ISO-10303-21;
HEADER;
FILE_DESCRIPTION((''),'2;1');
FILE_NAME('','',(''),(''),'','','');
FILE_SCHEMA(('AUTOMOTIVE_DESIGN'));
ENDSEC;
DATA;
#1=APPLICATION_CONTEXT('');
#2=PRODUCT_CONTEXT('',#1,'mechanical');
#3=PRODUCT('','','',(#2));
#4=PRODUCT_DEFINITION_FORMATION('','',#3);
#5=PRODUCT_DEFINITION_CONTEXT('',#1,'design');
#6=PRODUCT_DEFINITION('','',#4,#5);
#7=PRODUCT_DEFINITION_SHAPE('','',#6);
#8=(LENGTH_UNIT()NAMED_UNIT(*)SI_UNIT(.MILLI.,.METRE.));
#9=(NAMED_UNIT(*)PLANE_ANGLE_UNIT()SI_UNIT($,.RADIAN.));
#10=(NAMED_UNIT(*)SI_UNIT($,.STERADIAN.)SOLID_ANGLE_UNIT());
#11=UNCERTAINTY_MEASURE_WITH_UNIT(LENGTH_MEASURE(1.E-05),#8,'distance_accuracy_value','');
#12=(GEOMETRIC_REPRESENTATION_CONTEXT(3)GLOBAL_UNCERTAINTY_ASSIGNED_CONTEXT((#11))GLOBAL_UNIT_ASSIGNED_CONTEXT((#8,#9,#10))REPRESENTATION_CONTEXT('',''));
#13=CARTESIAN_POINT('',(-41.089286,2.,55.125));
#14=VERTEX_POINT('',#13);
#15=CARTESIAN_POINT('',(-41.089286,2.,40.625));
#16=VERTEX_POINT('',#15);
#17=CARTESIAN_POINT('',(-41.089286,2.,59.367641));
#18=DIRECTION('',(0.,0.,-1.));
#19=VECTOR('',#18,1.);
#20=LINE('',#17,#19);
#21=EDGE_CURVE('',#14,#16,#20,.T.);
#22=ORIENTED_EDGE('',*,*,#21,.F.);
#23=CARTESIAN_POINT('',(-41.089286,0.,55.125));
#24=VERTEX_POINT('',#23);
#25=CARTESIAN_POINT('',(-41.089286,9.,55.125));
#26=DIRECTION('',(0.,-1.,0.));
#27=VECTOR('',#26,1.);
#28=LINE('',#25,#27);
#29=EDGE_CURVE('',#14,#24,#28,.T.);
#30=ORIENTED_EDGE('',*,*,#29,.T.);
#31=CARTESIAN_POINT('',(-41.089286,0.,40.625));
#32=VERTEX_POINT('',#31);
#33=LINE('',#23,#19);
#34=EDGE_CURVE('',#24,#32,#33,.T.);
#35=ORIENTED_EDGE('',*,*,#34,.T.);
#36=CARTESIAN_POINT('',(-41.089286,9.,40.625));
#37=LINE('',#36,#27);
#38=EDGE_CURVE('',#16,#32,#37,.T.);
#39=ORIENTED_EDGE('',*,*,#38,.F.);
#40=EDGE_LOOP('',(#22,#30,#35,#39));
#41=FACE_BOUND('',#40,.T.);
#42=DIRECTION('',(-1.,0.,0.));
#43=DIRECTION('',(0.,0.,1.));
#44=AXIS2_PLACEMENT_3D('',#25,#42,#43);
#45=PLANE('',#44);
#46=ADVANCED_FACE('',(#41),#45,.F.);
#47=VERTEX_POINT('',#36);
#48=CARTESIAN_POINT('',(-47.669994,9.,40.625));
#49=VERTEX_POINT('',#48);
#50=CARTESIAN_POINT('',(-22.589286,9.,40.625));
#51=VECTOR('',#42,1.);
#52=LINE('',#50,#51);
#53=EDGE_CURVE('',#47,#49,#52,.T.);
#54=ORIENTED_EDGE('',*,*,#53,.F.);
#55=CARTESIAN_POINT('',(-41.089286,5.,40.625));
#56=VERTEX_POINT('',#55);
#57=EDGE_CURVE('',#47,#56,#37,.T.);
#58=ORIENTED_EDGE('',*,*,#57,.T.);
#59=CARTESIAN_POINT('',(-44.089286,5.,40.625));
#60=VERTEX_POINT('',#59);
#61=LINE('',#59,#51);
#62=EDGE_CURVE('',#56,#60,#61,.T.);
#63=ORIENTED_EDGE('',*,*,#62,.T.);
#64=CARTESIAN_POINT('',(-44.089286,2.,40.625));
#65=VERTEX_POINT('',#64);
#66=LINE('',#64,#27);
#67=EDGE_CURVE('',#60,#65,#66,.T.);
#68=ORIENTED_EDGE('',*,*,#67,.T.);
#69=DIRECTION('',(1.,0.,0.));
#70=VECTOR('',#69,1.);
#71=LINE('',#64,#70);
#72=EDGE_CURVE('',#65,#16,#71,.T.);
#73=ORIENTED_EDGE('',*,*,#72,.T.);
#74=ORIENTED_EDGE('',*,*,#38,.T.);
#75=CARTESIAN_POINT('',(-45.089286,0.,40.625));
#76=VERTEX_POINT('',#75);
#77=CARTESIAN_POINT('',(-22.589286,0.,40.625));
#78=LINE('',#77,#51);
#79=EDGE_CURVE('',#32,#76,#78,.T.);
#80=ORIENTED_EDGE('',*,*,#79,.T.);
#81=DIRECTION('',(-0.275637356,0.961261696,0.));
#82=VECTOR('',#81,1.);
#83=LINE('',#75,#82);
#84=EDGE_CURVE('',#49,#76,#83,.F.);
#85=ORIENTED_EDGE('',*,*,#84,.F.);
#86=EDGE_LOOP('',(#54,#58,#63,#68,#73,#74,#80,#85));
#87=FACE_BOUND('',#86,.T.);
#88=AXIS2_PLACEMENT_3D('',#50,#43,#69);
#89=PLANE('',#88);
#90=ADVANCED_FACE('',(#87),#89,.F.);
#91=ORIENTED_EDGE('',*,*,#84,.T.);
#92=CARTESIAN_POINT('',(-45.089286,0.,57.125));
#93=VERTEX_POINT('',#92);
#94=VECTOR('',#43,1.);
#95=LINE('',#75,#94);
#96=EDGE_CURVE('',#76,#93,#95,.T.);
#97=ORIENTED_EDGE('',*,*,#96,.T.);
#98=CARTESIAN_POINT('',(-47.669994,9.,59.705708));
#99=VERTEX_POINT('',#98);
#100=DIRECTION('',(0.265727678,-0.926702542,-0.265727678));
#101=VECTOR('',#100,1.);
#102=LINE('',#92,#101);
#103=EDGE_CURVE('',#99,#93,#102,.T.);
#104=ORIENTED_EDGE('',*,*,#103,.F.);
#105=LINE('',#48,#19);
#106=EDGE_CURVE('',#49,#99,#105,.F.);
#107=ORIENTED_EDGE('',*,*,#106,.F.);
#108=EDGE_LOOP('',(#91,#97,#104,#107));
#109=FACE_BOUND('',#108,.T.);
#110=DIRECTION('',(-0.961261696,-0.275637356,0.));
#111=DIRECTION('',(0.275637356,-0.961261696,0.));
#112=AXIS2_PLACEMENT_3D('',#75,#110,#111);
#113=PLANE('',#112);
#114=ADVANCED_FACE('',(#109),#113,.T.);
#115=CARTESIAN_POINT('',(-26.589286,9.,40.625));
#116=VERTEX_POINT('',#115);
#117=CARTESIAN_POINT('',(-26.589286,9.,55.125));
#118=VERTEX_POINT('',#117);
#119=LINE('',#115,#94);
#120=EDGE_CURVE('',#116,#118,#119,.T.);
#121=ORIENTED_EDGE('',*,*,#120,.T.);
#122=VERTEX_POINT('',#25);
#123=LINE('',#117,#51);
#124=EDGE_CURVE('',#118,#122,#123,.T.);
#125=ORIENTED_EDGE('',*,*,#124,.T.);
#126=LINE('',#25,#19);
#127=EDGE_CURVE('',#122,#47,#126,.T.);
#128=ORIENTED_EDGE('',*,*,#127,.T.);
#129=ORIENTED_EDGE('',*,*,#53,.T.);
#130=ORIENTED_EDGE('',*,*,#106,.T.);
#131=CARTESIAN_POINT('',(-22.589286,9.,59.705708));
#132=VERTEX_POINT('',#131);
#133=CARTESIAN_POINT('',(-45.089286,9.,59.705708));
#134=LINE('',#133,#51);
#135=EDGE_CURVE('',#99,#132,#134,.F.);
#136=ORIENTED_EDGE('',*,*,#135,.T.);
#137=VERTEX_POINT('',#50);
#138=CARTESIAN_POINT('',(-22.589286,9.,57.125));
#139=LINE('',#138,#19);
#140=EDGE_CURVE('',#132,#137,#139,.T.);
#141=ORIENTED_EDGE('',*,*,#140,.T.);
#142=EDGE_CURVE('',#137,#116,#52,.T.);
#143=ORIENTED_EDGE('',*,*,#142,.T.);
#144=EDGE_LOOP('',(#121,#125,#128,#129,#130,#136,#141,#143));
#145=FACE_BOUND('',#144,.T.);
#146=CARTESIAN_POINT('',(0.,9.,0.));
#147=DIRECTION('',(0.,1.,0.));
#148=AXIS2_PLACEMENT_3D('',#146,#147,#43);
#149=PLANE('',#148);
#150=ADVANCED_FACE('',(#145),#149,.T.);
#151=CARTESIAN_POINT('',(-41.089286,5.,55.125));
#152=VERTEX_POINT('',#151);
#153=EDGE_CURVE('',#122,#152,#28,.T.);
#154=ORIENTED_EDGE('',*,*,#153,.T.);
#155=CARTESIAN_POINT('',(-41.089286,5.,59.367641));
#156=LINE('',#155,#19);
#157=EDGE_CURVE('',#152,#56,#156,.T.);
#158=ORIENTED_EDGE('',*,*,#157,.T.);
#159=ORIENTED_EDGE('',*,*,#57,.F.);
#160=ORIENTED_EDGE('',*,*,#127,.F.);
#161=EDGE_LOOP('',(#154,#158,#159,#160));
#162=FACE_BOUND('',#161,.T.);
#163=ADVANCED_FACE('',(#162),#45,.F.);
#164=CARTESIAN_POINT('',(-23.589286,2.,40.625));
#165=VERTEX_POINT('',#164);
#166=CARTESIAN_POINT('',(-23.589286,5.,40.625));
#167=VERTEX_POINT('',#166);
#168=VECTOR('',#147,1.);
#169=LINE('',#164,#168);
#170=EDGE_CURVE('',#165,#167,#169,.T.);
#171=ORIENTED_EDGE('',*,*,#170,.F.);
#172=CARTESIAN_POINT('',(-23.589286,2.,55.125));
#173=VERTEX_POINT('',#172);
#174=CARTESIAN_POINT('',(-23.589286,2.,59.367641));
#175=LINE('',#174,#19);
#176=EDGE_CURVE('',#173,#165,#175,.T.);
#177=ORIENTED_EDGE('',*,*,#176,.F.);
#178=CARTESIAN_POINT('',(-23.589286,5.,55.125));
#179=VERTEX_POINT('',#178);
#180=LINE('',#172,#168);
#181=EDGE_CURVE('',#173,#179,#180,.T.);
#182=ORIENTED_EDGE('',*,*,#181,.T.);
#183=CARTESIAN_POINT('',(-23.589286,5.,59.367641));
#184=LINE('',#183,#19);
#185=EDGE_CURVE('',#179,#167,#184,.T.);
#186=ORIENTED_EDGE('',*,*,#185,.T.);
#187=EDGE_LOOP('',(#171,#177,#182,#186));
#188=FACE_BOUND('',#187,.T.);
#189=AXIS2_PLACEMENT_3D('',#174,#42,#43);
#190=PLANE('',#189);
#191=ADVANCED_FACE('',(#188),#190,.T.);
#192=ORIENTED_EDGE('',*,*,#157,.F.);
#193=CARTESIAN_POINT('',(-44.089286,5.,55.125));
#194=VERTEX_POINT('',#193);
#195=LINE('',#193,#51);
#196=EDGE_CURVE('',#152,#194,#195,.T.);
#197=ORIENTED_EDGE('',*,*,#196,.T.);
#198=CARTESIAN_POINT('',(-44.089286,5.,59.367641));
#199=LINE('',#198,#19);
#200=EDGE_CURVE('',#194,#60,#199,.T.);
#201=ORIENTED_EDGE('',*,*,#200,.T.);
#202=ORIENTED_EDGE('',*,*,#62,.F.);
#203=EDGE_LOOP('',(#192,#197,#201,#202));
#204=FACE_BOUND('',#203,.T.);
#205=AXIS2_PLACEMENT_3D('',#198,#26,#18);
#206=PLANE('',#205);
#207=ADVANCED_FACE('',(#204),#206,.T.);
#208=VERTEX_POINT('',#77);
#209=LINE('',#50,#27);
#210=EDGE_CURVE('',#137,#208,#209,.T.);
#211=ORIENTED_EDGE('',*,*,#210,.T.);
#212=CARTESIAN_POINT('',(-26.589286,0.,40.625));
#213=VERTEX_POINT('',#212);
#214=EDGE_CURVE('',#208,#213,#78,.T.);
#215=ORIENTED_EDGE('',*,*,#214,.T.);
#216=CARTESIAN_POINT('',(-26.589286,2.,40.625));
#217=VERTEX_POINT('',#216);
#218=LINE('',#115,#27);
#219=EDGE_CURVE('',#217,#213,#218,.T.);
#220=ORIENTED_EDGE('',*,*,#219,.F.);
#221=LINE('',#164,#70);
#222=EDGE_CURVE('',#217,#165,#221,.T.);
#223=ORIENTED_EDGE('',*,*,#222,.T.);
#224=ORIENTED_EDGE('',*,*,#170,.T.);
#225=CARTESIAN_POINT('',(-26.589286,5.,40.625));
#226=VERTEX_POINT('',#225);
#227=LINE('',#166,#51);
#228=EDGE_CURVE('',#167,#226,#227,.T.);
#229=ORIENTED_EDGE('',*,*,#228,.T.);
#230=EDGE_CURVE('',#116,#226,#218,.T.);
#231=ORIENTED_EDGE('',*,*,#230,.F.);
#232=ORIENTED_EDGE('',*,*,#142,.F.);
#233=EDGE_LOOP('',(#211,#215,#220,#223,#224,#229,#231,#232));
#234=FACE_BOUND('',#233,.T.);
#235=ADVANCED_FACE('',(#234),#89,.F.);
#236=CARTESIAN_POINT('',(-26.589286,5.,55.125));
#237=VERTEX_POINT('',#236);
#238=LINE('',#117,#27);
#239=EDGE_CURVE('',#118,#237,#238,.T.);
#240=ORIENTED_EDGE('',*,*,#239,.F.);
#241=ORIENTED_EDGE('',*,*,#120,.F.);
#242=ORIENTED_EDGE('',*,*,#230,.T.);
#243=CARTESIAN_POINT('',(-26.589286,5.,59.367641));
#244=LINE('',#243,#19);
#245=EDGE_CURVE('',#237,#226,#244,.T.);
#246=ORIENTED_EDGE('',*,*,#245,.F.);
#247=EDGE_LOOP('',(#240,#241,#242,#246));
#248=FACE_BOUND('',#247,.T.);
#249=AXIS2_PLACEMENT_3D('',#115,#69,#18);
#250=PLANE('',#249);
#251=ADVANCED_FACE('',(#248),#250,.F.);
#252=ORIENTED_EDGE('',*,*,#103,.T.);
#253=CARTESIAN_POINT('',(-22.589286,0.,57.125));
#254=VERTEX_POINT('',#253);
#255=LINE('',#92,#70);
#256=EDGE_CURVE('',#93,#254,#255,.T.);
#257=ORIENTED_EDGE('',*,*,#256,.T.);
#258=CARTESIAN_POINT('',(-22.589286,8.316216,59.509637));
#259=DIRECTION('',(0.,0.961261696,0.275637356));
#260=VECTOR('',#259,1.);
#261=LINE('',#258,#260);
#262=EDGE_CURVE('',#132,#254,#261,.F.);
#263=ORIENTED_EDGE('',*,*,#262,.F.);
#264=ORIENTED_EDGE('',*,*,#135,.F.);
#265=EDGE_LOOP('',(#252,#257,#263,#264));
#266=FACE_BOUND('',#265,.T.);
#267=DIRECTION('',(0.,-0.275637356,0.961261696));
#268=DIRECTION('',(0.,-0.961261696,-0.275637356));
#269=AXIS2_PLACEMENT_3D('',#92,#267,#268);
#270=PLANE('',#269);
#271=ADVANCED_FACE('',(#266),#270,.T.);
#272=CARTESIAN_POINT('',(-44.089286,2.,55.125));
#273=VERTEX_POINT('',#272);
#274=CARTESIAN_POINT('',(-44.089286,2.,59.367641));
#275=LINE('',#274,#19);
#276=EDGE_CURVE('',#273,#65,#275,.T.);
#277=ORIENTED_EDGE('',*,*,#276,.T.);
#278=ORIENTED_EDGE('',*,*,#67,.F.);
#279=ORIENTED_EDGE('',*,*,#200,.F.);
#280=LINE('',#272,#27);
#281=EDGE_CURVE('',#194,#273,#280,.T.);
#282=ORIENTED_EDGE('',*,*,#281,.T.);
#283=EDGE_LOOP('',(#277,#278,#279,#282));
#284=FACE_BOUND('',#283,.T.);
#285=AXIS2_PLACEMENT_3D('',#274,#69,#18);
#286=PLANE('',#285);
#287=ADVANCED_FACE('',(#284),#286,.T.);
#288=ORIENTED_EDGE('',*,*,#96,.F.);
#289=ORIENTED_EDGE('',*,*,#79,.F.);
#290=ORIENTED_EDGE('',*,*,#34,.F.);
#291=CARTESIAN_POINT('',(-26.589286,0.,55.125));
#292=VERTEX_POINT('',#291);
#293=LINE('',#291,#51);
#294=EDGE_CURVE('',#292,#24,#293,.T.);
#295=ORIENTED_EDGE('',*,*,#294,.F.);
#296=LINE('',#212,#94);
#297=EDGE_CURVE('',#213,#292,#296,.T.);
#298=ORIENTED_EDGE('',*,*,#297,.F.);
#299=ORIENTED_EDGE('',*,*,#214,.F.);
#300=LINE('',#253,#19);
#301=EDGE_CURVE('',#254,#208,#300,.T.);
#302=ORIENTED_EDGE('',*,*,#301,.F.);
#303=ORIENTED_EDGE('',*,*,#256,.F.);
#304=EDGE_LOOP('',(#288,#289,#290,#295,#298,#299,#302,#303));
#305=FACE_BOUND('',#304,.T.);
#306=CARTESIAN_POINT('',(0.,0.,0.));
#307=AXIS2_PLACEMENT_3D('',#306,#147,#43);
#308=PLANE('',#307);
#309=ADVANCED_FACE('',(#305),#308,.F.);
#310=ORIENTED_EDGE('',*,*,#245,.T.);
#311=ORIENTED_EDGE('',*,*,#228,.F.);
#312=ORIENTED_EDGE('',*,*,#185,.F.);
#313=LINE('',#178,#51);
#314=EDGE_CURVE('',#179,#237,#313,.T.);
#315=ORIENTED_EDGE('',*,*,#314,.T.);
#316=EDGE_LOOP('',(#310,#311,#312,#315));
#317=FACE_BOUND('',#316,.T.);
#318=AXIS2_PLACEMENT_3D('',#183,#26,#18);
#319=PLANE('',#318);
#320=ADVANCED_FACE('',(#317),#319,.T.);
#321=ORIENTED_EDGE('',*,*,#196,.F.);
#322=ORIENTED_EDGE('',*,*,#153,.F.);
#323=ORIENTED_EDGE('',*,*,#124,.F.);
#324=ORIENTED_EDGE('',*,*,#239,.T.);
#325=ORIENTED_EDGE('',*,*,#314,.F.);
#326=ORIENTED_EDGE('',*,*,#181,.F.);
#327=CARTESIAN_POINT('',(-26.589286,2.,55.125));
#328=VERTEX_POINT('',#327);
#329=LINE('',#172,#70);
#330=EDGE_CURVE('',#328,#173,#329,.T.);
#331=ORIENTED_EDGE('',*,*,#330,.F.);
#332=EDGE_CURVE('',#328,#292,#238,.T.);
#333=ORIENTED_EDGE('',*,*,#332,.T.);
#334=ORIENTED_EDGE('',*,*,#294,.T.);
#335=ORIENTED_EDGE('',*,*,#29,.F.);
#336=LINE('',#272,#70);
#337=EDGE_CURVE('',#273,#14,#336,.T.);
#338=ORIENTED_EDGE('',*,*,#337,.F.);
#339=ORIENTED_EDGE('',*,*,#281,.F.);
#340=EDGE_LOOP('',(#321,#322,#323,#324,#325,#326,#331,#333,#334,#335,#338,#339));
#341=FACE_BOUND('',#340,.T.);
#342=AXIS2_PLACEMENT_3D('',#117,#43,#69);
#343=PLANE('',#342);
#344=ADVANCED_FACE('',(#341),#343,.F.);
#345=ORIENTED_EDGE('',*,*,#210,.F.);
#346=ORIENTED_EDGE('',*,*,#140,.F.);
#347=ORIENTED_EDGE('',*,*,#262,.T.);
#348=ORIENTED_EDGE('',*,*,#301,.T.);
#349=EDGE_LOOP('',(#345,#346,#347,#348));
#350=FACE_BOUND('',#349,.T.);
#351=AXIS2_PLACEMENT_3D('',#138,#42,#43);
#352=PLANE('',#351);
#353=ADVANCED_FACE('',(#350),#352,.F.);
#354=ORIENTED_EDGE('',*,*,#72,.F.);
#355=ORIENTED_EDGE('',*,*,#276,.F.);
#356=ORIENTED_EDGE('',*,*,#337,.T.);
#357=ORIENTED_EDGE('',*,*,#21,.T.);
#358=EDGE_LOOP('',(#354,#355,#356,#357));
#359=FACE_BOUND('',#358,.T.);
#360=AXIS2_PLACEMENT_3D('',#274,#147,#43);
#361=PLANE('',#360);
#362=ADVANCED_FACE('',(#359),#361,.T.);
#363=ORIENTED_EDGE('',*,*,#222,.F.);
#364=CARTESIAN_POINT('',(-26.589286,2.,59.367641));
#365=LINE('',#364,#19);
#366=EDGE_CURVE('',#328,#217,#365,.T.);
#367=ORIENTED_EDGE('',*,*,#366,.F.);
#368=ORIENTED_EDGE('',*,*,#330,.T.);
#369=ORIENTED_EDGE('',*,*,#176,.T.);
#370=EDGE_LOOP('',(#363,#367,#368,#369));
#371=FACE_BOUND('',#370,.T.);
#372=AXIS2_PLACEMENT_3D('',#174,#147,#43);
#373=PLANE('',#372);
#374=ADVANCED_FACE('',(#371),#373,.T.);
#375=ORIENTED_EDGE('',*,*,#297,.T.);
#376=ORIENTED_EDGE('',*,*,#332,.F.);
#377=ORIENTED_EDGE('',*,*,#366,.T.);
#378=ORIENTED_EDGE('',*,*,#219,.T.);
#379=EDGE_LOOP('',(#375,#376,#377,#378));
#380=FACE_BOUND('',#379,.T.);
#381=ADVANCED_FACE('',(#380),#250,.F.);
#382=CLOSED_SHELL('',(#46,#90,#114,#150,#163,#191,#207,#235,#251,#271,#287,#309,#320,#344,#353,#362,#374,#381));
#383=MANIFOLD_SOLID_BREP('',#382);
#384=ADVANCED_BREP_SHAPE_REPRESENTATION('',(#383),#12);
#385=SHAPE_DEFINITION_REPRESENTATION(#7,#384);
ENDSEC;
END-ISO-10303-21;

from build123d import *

# Parameters (mm, degrees)
SKETCH1_W           = 22.5
SKETCH1_H           = 16.5
BOSS_EXTRUDE1_DEPTH = 9
SKETCH3_W           = 14.5
SKETCH3_H           = 14.5
CUT_EXTRUDE2_DEPTH  = 74.330139174
DRAFT1_ANGLE        = 16
DRAFT3_ANGLE        = 16
SKETCH9_W           = 3
SKETCH9_H           = 3
CUT_EXTRUDE3_DEPTH  = 14.5


with BuildPart() as part:
    # Sketch1 → Boss-Extrude1 (new body)
    with BuildSketch(Plane(origin=(0, 0, 0), x_dir=(1, 0, 0), z_dir=(0, 1, 0))):
        with Locations((-33.839285714, -48.875)):
            Rectangle(SKETCH1_W, SKETCH1_H)
    extrude(amount=BOSS_EXTRUDE1_DEPTH)

    # Sketch3 → Cut-Extrude2 (cut, through all)
    with BuildSketch(Plane.XZ):
        with Locations((-33.839285714, 47.875)):
            Rectangle(SKETCH3_W, SKETCH3_H)
    extrude(amount=-CUT_EXTRUDE2_DEPTH, mode=Mode.SUBTRACT)

    # Draft1
    draft1_faces = [part.faces().sort_by_distance(p)[0] for p in [
        (-45.089285714, 4.5, 48.875),
    ]]
    draft(draft1_faces, Plane(origin=(0, 0, 0), x_dir=(0, 0, -1), z_dir=(0, -1, 0)), DRAFT1_ANGLE)

    # Draft3
    draft3_faces = [part.faces().sort_by_distance(p)[0] for p in [
        (-34.496127322, 4.58135782, 57.125),
    ]]
    draft(draft3_faces, Plane(origin=(0, 0, 0), x_dir=(0, 0, -1), z_dir=(0, -1, 0)), DRAFT3_ANGLE)

    # Sketch9 → Cut-Extrude3 (cut)
    with BuildSketch(Plane(origin=(0, 0, 40.625), x_dir=(-1, 0, 0), z_dir=(0, 0, 1))):
        with Locations((25.089285714, -3.5)):
            Rectangle(SKETCH9_W, SKETCH9_H)
        with Locations((42.589285714, -3.5)):
            Rectangle(SKETCH9_W, SKETCH9_H)
    extrude(amount=CUT_EXTRUDE3_DEPTH, mode=Mode.SUBTRACT)


solid = part.part
